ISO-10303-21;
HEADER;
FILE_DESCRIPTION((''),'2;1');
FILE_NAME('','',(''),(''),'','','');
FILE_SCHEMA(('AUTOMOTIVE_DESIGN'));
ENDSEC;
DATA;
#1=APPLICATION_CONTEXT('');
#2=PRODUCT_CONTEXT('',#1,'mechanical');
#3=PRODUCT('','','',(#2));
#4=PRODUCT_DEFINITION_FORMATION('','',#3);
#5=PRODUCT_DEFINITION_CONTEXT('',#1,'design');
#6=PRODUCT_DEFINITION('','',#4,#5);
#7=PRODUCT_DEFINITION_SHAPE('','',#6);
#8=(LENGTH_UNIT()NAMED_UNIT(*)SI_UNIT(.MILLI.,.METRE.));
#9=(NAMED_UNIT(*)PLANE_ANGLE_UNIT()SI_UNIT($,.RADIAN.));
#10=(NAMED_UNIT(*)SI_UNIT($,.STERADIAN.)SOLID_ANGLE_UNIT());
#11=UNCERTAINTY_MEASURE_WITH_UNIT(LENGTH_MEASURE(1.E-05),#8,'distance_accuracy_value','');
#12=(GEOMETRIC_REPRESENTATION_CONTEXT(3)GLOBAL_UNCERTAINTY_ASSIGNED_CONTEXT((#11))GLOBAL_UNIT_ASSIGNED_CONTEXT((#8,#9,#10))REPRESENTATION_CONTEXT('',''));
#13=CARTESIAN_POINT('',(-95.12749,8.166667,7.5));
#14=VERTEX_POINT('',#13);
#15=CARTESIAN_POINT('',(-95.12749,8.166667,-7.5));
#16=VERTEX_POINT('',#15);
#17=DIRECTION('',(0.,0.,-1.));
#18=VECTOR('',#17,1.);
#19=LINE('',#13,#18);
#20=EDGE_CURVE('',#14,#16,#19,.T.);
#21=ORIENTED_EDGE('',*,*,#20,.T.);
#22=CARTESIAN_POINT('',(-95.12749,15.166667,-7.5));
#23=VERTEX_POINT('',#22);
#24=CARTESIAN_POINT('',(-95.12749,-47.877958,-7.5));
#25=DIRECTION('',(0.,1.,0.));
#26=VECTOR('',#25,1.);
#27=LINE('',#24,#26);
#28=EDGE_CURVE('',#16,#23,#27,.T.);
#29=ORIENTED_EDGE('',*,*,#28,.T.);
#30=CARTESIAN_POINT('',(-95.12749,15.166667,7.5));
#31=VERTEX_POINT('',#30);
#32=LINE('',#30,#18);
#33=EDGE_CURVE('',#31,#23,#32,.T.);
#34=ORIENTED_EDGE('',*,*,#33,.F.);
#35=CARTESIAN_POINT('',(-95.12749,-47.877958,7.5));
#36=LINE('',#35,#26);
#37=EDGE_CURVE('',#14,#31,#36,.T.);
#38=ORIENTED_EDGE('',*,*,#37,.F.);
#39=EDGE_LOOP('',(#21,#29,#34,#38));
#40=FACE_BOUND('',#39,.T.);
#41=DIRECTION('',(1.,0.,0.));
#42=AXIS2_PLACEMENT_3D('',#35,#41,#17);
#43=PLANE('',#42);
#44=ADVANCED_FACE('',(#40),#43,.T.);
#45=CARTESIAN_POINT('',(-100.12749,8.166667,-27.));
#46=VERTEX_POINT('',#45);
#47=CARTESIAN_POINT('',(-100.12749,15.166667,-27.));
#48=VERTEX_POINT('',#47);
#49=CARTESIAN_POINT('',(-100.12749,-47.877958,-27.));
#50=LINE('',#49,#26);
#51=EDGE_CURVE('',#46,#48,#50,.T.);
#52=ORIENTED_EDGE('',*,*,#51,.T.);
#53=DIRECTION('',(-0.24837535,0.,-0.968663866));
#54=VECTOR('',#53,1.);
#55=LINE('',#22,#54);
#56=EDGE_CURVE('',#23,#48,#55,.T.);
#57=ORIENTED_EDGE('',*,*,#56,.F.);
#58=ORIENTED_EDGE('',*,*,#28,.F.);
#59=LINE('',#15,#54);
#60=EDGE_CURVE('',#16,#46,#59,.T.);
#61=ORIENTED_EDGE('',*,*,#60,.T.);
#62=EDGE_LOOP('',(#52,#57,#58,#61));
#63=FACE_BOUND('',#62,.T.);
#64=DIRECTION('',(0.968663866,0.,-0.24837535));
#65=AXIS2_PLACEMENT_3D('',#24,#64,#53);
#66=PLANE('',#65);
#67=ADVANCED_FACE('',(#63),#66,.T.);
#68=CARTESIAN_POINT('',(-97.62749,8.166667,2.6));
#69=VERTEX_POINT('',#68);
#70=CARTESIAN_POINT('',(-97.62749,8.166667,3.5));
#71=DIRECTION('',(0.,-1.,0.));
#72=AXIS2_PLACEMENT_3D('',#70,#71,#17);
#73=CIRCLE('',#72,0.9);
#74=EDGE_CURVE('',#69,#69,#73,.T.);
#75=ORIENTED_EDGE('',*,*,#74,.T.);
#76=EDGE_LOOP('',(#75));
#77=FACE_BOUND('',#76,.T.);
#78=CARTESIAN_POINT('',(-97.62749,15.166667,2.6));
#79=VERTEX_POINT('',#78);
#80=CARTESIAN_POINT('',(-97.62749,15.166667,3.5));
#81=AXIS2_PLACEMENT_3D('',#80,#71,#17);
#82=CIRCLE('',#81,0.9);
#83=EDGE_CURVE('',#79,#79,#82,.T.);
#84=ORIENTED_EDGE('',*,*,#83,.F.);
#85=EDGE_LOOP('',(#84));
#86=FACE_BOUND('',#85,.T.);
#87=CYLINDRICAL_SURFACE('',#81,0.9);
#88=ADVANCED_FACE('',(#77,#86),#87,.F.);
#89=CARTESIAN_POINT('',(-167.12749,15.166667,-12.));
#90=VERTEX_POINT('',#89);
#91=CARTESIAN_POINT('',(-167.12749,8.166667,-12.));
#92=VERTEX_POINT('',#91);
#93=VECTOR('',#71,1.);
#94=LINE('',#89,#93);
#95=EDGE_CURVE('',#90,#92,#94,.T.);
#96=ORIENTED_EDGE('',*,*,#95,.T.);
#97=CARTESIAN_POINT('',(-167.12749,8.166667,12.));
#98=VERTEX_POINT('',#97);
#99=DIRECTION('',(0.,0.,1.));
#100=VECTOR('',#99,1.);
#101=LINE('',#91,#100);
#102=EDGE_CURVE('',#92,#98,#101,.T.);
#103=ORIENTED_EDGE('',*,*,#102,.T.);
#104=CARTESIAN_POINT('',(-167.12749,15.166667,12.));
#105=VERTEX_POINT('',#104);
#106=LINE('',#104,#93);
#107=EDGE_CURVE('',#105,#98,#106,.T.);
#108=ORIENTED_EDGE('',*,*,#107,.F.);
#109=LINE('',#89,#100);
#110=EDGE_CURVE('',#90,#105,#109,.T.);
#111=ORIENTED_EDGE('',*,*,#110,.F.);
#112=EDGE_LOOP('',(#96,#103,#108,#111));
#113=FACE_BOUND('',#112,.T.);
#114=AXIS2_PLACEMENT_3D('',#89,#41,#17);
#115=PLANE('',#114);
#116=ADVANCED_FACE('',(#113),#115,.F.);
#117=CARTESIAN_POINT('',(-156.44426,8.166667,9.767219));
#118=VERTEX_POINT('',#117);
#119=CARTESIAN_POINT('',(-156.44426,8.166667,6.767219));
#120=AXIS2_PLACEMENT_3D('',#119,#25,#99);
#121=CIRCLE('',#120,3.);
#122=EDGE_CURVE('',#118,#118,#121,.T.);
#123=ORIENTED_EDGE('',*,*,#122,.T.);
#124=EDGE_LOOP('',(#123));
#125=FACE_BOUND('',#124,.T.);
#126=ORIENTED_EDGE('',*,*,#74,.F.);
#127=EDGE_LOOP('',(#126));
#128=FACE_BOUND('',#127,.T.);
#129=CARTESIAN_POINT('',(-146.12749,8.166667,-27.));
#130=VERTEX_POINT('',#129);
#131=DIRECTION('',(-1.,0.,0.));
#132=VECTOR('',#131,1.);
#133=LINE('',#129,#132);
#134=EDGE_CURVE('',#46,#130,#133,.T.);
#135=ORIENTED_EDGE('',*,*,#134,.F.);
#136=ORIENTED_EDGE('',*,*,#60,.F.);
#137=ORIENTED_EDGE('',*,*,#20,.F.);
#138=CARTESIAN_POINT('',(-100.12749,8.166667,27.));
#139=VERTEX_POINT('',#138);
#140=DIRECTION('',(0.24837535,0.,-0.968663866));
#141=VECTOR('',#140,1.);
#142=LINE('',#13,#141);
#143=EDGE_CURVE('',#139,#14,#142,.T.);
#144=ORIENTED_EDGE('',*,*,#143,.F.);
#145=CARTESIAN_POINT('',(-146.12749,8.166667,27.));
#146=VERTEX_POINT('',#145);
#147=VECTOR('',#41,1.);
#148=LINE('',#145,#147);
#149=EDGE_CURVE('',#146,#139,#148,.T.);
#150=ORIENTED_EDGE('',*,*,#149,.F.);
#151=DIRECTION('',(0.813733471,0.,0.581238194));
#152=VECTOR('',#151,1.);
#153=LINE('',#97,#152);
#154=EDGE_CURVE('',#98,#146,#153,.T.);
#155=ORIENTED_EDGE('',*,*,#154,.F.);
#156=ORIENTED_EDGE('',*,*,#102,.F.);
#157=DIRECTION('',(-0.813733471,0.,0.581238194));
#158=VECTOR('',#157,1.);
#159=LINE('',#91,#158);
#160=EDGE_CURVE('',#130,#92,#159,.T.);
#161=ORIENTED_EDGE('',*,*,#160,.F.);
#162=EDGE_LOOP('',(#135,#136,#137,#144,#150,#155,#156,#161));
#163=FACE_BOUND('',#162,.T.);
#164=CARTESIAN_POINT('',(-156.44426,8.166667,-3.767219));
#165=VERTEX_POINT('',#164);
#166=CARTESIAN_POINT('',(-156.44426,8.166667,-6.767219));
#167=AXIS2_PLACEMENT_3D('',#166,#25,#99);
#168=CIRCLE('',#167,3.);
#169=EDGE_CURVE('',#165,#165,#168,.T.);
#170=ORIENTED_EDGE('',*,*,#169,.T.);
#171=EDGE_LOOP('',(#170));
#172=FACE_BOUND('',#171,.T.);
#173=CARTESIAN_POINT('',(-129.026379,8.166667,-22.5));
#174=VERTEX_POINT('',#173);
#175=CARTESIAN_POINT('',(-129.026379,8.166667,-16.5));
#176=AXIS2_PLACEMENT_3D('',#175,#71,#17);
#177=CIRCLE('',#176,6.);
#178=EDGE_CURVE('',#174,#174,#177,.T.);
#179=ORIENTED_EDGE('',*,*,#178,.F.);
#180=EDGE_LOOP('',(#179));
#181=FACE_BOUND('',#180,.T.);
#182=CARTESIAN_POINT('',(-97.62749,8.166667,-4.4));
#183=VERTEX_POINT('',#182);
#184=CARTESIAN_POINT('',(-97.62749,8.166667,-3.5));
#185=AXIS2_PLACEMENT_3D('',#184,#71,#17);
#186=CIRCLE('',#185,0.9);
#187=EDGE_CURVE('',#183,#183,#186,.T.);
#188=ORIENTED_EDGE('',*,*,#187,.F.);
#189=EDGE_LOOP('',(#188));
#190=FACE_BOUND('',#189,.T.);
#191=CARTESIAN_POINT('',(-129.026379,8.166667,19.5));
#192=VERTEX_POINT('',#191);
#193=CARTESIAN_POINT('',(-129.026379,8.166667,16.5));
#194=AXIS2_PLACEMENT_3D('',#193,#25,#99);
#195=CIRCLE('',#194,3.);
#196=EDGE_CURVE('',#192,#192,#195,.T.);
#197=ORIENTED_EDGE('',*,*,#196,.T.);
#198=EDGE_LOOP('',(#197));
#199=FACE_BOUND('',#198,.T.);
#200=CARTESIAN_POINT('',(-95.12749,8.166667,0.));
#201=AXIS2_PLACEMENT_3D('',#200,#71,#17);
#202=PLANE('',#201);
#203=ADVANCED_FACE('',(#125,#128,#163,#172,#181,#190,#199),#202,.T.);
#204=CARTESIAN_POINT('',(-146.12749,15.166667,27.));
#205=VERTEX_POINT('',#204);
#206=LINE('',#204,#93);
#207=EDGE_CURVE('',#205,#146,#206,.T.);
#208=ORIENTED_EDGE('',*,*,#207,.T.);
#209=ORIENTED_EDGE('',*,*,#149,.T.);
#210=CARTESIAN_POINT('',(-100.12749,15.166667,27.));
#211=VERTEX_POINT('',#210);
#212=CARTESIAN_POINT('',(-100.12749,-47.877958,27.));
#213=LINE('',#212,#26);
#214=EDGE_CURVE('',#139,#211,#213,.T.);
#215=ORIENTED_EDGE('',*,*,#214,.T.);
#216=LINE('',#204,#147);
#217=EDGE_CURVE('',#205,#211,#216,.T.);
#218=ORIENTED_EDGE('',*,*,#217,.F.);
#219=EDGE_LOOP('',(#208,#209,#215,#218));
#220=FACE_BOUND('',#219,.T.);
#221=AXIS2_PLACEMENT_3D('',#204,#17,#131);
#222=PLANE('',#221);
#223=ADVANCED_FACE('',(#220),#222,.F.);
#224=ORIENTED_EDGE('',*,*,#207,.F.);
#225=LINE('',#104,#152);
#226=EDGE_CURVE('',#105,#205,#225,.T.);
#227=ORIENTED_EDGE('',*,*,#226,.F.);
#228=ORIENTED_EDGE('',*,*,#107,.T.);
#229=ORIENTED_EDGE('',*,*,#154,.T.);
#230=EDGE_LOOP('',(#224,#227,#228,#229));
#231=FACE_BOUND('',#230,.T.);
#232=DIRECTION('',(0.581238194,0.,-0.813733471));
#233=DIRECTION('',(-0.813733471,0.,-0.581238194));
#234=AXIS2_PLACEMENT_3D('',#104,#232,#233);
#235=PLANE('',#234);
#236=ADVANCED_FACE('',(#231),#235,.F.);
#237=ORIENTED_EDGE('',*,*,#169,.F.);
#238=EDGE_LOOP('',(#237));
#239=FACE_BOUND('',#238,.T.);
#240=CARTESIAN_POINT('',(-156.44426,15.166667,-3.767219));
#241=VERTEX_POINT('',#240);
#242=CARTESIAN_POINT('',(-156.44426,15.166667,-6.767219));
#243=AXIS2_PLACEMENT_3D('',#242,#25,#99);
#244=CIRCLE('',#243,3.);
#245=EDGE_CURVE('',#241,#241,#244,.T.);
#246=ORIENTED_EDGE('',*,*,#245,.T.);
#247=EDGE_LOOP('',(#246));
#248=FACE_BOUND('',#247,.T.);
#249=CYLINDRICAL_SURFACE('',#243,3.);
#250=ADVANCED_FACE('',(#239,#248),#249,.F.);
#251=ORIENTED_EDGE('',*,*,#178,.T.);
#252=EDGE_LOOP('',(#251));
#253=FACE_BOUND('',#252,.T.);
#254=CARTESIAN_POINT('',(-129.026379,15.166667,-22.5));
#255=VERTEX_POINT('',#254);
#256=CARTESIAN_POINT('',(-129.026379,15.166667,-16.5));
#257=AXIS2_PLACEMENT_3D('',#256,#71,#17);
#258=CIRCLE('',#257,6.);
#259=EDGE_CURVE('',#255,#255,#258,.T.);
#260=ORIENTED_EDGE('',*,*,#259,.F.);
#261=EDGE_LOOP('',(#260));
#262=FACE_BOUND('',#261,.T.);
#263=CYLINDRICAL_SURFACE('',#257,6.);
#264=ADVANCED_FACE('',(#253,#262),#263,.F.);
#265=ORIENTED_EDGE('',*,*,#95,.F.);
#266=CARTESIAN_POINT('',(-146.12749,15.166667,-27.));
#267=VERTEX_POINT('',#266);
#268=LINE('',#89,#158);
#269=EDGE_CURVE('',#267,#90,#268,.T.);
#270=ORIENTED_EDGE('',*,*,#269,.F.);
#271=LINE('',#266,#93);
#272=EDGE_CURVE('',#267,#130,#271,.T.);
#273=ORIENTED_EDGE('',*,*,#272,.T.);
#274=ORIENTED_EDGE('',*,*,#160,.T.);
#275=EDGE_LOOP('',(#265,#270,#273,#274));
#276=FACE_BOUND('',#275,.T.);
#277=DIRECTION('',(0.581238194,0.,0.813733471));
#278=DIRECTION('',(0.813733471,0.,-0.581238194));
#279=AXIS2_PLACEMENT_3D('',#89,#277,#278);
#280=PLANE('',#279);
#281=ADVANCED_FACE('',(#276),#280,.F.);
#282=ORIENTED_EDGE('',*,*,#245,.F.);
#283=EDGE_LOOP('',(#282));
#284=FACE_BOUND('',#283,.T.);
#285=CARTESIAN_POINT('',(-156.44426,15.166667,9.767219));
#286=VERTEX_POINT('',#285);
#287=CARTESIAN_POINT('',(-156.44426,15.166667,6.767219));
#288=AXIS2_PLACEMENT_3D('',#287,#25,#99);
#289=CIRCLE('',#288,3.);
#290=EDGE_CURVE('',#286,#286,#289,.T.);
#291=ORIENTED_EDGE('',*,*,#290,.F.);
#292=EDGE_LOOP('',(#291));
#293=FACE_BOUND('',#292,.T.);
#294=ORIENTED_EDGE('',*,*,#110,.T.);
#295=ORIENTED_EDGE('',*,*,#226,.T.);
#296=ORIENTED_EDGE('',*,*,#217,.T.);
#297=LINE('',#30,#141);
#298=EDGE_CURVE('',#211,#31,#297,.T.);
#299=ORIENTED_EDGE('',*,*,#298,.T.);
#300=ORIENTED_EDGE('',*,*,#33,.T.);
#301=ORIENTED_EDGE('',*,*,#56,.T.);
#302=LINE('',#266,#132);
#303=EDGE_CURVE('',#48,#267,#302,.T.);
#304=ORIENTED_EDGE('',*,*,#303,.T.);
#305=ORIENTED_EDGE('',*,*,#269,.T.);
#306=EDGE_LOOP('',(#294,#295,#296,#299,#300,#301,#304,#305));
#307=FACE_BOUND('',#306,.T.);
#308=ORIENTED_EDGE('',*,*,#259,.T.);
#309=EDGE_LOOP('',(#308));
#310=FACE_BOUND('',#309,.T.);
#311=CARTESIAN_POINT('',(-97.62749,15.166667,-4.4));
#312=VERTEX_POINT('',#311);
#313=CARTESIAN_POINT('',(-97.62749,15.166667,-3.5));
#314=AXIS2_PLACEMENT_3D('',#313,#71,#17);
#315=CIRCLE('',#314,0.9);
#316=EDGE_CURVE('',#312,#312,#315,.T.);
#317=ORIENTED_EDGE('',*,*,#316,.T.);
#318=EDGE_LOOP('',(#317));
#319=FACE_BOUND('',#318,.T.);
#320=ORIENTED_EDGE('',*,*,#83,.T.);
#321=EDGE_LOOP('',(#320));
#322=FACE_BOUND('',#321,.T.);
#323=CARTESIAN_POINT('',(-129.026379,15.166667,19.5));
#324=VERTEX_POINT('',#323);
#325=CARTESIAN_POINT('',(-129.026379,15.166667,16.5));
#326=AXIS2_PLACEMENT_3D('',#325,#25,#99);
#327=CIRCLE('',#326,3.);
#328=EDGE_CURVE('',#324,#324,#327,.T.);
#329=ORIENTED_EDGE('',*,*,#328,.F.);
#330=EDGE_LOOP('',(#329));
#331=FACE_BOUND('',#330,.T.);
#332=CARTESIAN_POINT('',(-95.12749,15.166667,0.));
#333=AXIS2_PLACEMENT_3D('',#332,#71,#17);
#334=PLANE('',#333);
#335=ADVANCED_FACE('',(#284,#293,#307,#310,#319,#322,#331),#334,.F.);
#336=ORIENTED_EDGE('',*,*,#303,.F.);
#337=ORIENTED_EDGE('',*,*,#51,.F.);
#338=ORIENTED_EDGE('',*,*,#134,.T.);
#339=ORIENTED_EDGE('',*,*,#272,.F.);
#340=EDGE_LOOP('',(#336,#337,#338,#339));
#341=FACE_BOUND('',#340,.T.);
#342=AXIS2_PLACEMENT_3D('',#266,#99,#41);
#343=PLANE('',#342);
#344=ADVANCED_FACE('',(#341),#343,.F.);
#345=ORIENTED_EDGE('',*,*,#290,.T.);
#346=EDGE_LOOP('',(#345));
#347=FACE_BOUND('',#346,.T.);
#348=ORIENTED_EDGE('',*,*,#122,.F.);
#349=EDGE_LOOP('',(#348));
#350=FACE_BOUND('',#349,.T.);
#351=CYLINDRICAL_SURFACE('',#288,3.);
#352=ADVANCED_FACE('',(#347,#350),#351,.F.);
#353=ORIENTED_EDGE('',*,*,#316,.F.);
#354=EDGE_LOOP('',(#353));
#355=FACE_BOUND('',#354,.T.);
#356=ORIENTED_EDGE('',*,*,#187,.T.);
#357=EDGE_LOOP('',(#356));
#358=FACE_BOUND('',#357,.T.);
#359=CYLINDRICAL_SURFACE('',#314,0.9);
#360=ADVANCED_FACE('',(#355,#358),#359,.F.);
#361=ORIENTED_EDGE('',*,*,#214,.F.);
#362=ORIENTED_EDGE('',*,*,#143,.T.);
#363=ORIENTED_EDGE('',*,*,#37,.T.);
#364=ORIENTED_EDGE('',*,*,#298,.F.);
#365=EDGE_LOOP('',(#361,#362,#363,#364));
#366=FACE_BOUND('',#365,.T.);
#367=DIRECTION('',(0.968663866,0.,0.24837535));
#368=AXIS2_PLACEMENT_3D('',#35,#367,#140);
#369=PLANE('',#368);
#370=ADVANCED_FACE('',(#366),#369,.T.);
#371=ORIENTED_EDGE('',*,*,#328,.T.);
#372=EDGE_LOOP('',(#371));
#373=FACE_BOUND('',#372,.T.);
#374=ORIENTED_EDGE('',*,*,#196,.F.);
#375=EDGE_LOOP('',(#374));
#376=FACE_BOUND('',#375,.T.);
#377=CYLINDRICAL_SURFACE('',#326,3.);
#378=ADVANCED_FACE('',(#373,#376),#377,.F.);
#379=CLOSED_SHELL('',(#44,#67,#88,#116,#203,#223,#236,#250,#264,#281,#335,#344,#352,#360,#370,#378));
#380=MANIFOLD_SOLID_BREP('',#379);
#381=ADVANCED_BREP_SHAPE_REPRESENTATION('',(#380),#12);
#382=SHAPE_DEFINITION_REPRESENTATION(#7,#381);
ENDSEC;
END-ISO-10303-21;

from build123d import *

# Parameters (mm, degrees)
BOSS_EXTRUDE1_DEPTH = 23.333333333
F_20_0MM_1_D        = 20
SCALE_1_SCALE       = 0.3
EXTRUDE_1_DEPTH     = 7
SKETCH_3_R          = 0.9
CUT_EXTRUDE_1_DEPTH = 8
SKETCH_4_R          = 6
CUT_EXTRUDE_2_DEPTH = 8


with BuildPart() as part:
    # Sketch2 → Boss-Extrude1 (new body)
    with BuildSketch(Plane(origin=(0, 0, 0), x_dir=(1, 0, 0), z_dir=(0, 1, 0))):
        Polygon((-170, -90), (-50, -90), (-50, 90), (-170, 90), (-240, 40), (-240, -40), align=None)
    extrude(amount=BOSS_EXTRUDE1_DEPTH)

    # Ø20.0mm 맞춤핀 구멍1 (through all)
    with Locations(Plane(origin=(0, 23.333333333, 0), x_dir=(1, 0, 0), z_dir=(0, 1, 0))):
        with Locations((-204.389232105, 22.557395049), (-204.389232105, -22.557395049), (-112.996294866, 55), (-112.996294866, -55)):
            Hole(F_20_0MM_1_D / 2)


with BuildPart() as part_1:
    # 축척1: scaled about (-135.896414653, 11.666666667, 0)
    add(part.part.scale(SCALE_1_SCALE).moved(Location((-95.127490257, 8.166666667, 0))))

    # 스케치1 → 보스-돌출1 (add)
    with BuildSketch(Plane(origin=(0, 15.166666667, 0), x_dir=(1, 0, 0), z_dir=(0, 1, 0))):
        Polygon((-95.127490257, -7.5), (-100.127490257, -27), (-110.127490257, -27), (-110.127490257, 27), (-100.127490257, 27), (-95.127490257, 7.5), align=None)
    extrude(amount=-EXTRUDE_1_DEPTH)

    # 스케치3 → 컷-돌출1 (cut, through all)
    with BuildSketch(Plane.XZ.offset(-8.166666667)):
        with Locations((-97.627490257, 3.5)):
            Circle(SKETCH_3_R)
        with Locations((-97.627490257, -3.5)):
            Circle(SKETCH_3_R)
    extrude(amount=-CUT_EXTRUDE_1_DEPTH, mode=Mode.SUBTRACT)

    # 스케치4 → 컷-돌출2 (cut, through all)
    with BuildSketch(Plane.XZ.offset(-8.166666667)):
        with Locations((-129.026378717, -16.5)):
            Circle(SKETCH_4_R)
    extrude(amount=-CUT_EXTRUDE_2_DEPTH, mode=Mode.SUBTRACT)


solid = part_1.part
